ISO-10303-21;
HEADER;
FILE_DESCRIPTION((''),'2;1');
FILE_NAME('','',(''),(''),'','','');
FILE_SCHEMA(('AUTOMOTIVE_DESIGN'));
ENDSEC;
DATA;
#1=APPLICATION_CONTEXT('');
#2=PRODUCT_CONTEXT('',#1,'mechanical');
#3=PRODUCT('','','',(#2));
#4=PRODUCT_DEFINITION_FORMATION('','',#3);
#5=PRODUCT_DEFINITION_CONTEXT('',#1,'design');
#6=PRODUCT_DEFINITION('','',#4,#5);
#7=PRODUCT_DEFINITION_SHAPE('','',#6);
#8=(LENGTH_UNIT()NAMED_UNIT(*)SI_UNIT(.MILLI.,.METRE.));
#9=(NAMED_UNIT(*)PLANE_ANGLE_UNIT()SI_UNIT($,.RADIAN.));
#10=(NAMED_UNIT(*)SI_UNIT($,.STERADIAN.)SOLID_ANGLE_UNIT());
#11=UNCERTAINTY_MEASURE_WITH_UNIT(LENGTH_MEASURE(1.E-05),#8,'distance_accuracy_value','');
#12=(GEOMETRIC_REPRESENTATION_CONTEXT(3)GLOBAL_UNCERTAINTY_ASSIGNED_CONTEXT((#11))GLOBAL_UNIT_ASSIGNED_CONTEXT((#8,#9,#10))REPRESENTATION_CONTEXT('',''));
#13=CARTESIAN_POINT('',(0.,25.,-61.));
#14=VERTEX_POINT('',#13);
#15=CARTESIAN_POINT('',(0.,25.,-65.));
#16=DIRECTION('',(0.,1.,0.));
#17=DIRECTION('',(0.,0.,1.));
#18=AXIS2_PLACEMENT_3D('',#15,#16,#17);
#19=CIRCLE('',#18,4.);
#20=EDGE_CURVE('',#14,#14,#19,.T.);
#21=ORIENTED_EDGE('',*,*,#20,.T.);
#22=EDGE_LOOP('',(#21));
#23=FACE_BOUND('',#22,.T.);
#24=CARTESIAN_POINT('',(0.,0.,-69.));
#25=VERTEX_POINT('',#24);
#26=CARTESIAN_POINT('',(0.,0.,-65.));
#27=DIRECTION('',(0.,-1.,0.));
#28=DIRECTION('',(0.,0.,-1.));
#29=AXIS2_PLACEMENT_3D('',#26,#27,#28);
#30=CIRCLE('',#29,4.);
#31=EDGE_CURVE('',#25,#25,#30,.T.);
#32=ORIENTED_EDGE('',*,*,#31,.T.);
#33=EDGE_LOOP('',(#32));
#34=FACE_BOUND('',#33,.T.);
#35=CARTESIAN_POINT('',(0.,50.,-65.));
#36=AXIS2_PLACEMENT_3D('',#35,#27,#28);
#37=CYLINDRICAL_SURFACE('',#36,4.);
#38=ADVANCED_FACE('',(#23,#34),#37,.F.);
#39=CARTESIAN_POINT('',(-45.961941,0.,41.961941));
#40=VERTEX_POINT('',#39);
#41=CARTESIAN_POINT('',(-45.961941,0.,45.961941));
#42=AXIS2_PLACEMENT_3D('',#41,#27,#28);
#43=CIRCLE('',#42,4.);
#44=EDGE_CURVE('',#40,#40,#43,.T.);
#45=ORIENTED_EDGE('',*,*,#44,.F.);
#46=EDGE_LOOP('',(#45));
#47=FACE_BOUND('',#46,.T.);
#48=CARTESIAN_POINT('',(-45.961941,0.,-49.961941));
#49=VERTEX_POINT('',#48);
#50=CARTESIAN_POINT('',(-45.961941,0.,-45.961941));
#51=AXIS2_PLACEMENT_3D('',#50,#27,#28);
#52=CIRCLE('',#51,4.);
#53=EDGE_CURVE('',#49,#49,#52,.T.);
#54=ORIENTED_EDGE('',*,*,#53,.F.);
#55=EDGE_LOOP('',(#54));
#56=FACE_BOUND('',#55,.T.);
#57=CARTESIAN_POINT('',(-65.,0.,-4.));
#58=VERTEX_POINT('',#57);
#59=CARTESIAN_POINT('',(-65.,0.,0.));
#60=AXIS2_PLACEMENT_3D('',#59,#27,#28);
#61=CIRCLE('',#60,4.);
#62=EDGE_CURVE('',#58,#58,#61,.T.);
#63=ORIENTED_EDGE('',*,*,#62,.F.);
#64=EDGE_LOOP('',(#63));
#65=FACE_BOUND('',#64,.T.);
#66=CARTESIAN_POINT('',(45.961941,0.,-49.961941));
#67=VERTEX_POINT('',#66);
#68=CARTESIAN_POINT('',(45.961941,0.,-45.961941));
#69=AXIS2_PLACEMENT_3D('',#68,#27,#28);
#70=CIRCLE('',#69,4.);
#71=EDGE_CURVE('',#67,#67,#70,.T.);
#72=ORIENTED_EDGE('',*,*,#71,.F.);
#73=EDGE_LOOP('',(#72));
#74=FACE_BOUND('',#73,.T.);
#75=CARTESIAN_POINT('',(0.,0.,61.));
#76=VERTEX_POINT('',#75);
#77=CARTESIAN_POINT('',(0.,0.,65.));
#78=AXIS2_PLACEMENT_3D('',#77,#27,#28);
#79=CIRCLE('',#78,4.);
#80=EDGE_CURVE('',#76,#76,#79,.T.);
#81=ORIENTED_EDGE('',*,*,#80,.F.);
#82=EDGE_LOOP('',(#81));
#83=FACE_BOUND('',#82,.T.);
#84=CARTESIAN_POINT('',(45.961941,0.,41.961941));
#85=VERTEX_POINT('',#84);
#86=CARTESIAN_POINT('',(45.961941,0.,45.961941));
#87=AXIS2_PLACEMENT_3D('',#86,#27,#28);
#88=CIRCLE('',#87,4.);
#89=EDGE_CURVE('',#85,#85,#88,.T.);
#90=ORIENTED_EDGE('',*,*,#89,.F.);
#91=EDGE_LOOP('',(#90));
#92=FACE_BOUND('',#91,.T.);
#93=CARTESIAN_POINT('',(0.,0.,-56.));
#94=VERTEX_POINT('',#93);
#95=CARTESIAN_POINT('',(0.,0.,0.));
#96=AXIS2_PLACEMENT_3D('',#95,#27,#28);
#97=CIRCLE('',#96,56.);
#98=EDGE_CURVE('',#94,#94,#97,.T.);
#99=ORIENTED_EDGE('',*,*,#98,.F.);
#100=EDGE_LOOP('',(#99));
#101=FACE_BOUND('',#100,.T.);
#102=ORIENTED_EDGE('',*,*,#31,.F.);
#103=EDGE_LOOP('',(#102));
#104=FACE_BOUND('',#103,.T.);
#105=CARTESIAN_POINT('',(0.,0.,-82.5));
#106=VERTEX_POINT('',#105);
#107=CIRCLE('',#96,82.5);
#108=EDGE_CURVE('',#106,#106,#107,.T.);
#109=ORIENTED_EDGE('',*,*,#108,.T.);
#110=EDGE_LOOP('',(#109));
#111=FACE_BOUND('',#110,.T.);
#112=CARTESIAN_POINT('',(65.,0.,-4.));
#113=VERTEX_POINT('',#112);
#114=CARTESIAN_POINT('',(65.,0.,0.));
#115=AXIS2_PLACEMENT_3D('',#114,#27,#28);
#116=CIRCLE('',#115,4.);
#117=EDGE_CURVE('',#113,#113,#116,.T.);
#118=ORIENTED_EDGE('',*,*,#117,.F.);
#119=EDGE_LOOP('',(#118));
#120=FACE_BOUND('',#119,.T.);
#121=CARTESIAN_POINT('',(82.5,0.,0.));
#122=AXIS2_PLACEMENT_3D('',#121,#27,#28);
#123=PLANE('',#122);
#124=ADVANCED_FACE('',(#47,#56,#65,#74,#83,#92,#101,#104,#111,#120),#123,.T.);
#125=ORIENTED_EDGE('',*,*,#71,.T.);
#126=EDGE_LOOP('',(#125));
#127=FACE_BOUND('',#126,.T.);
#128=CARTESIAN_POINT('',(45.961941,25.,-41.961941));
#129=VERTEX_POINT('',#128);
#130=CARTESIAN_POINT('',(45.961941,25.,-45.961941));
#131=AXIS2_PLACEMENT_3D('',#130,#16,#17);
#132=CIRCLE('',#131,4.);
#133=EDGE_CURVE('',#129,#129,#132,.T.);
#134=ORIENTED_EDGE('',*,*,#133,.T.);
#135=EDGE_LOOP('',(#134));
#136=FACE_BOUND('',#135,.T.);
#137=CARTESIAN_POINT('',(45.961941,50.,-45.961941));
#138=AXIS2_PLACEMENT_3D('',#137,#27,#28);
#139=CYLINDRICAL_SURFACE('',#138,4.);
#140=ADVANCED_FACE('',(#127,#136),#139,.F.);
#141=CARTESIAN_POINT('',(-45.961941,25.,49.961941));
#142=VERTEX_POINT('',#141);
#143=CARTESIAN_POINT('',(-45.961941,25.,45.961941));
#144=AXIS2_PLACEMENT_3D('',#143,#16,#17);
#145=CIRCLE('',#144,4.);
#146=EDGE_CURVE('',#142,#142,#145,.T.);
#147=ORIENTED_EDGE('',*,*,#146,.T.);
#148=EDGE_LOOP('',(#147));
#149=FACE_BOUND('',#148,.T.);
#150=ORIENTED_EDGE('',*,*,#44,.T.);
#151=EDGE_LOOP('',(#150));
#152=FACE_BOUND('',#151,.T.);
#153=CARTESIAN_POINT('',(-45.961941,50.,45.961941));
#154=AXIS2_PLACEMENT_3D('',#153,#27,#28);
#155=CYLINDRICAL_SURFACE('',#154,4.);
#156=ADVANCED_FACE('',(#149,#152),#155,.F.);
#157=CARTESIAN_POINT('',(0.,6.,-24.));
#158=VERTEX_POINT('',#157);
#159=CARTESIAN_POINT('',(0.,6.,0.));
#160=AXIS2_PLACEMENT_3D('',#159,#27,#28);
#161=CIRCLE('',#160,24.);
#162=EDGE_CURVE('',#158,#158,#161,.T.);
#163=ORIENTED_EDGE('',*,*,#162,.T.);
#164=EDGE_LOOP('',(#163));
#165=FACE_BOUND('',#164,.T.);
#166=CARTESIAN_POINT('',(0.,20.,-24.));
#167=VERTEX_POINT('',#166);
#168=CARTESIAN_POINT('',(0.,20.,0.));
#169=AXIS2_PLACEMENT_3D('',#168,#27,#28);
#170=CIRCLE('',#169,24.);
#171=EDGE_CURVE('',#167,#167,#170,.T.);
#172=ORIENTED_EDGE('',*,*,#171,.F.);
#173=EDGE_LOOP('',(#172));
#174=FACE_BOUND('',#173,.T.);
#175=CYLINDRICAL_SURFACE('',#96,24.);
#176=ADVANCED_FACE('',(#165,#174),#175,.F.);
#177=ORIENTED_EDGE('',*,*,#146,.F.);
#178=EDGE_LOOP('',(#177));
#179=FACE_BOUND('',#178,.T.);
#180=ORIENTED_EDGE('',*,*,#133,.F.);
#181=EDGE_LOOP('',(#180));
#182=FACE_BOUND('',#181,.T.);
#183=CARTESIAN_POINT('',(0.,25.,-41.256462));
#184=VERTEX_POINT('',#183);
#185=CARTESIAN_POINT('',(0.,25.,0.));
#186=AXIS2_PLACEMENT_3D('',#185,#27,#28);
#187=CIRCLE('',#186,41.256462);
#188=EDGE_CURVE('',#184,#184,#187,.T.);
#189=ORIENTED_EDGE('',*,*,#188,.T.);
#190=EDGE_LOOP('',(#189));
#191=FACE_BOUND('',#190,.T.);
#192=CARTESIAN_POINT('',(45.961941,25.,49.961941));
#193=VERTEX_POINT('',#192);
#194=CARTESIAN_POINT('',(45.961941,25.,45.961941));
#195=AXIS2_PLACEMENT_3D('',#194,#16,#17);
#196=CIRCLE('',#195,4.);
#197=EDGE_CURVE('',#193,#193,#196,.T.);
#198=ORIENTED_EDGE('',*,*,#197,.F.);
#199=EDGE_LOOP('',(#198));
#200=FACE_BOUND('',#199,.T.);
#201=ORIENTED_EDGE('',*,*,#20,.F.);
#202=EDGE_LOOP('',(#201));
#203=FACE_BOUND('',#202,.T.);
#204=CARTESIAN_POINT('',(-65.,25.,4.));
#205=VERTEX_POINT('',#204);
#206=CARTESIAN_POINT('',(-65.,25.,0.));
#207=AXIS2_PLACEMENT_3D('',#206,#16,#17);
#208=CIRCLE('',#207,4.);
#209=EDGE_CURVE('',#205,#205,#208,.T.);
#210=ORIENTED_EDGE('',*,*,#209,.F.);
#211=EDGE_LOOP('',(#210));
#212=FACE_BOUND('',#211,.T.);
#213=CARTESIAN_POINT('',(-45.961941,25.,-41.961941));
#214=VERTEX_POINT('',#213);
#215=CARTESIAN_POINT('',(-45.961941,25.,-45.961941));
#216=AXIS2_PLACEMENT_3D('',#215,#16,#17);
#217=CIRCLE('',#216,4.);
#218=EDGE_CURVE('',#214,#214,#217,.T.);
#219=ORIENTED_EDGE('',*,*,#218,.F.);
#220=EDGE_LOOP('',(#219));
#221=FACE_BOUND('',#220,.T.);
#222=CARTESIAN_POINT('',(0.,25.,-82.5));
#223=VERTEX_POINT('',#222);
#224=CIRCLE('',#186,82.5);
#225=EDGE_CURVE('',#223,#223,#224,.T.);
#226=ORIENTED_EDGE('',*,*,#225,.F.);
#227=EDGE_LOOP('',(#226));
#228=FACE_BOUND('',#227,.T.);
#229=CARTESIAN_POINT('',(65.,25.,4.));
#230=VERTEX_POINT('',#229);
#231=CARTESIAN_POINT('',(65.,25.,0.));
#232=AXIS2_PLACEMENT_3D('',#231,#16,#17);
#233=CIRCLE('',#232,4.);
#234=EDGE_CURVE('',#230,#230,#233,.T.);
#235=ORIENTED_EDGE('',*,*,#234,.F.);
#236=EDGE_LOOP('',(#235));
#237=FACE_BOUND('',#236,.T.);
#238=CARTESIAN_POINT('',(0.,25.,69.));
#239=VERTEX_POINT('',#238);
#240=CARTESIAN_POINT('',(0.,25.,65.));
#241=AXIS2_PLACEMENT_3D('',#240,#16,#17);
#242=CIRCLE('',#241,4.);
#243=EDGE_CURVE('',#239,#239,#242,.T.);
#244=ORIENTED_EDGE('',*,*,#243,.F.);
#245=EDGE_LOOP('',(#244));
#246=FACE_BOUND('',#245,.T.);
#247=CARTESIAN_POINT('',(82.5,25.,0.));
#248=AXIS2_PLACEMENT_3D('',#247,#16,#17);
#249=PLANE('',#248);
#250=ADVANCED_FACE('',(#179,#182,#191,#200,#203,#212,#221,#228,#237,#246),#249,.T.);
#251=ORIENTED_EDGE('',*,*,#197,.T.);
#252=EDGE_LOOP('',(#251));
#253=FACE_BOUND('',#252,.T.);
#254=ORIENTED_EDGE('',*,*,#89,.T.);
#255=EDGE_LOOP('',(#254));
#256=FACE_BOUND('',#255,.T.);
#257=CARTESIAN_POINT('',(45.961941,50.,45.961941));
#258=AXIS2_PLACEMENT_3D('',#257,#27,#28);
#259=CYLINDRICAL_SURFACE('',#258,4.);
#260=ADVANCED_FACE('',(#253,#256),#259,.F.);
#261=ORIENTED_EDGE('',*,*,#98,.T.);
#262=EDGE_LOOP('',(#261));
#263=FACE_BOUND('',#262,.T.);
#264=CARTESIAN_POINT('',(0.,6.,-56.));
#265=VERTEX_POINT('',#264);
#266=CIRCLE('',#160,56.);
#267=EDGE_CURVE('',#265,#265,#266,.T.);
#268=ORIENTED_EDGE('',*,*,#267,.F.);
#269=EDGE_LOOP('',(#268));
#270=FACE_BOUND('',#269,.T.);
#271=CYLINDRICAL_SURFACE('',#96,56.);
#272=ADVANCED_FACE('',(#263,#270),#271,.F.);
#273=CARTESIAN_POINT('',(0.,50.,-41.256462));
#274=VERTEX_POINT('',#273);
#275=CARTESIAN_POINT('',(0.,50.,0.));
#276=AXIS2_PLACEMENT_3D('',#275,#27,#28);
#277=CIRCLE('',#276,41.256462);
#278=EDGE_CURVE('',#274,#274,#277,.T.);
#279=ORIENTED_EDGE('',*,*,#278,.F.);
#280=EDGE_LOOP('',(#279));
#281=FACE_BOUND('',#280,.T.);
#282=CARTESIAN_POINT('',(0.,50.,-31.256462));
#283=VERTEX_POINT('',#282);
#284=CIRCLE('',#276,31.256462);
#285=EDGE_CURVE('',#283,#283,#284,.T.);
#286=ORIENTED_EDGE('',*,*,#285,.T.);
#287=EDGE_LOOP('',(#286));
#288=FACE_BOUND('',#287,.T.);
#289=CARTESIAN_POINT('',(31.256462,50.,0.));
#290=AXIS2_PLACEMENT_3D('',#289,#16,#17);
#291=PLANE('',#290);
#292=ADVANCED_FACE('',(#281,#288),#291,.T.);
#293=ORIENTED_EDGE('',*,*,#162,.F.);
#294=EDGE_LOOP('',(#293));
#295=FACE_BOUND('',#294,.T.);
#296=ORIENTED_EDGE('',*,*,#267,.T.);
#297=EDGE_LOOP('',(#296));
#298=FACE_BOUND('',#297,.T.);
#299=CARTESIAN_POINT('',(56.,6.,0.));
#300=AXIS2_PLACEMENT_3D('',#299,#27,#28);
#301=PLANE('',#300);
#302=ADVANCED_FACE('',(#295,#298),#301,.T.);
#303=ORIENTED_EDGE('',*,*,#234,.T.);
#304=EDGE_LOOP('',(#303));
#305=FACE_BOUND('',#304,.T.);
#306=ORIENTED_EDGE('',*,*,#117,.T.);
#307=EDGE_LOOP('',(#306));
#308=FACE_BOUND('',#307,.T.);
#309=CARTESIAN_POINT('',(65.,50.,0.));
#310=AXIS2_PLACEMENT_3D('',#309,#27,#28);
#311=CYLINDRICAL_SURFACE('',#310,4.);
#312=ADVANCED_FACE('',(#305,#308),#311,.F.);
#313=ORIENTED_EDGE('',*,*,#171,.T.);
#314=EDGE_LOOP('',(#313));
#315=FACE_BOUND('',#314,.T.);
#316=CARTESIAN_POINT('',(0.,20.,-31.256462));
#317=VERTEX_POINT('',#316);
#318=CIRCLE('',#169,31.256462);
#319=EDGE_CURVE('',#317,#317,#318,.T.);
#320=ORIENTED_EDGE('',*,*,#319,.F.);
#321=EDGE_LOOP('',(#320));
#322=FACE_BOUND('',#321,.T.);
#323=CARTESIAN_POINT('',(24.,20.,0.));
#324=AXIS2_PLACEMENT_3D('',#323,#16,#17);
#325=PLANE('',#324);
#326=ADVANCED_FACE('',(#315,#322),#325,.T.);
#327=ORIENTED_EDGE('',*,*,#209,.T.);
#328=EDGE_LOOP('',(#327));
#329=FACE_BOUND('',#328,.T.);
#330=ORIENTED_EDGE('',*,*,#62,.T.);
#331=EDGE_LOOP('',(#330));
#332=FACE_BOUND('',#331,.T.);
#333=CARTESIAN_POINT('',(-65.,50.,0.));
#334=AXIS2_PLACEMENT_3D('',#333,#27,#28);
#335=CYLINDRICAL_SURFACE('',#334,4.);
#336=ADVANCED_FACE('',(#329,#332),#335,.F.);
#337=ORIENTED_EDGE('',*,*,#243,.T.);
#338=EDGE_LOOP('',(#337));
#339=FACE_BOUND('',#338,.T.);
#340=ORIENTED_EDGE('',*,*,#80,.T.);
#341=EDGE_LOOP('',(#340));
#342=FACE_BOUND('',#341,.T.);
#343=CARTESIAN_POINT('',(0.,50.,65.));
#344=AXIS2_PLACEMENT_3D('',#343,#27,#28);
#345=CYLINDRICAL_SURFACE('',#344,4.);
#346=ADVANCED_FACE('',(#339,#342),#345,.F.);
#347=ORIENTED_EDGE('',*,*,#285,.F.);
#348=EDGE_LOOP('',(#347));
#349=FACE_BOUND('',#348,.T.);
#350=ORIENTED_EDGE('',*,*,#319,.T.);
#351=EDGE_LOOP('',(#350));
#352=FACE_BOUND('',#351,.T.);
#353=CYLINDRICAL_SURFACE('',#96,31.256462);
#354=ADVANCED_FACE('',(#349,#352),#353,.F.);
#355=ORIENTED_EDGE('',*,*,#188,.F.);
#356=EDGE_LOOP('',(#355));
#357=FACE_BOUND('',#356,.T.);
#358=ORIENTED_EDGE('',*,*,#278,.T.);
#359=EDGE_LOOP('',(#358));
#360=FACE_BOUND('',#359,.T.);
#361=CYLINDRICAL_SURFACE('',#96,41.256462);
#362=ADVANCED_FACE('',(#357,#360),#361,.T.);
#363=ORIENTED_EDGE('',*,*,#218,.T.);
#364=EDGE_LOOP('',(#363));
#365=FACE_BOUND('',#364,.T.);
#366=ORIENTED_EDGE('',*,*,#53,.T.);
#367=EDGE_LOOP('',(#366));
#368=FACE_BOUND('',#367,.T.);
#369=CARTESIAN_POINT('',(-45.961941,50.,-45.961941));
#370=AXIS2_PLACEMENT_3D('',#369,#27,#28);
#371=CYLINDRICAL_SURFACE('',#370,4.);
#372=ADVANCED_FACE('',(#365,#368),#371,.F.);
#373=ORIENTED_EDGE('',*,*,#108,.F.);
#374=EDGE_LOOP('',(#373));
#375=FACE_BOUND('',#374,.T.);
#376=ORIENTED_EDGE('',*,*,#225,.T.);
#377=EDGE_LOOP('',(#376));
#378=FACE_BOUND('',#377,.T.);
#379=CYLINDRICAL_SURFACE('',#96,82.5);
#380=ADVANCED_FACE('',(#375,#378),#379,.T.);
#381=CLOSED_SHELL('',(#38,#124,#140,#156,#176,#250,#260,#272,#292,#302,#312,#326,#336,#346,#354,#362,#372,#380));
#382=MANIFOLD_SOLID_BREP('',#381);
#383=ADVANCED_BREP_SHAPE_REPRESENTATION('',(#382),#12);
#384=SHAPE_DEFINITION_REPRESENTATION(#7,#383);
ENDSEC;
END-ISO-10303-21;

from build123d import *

# Parameters (mm, degrees)
SKETCH3_R          = 4
CUT_EXTRUDE2_DEPTH = 51


with BuildPart() as part:
    # Sketch2 → Revolve1 (revolve)
    with BuildSketch(Plane.XY):
        Polygon((82.5, 0), (56, 0), (56, 6), (24, 6), (24, 20), (31.256462168, 20), (31.256462168, 50), (41.256462168, 50), (41.256462168, 25), (82.5, 25), align=None)
    revolve(axis=Axis((0, 0, 0), (0, 1, 0)))

    # Sketch3 → Cut-Extrude2 (cut, through all)
    with BuildSketch(Plane.XZ):
        with Locations((65, 0)):
            Circle(SKETCH3_R)
        with Locations((45.961940777, -45.961940777)):
            Circle(SKETCH3_R)
        with Locations((0, -65)):
            Circle(SKETCH3_R)
        with Locations((-45.961940777, -45.961940777)):
            Circle(SKETCH3_R)
        with Locations((-65, 0)):
            Circle(SKETCH3_R)
        with Locations((-45.961940777, 45.961940777)):
            Circle(SKETCH3_R)
        with Locations((0, 65)):
            Circle(SKETCH3_R)
        with Locations((45.961940777, 45.961940777)):
            Circle(SKETCH3_R)
    extrude(amount=-CUT_EXTRUDE2_DEPTH, mode=Mode.SUBTRACT)


solid = part.part
